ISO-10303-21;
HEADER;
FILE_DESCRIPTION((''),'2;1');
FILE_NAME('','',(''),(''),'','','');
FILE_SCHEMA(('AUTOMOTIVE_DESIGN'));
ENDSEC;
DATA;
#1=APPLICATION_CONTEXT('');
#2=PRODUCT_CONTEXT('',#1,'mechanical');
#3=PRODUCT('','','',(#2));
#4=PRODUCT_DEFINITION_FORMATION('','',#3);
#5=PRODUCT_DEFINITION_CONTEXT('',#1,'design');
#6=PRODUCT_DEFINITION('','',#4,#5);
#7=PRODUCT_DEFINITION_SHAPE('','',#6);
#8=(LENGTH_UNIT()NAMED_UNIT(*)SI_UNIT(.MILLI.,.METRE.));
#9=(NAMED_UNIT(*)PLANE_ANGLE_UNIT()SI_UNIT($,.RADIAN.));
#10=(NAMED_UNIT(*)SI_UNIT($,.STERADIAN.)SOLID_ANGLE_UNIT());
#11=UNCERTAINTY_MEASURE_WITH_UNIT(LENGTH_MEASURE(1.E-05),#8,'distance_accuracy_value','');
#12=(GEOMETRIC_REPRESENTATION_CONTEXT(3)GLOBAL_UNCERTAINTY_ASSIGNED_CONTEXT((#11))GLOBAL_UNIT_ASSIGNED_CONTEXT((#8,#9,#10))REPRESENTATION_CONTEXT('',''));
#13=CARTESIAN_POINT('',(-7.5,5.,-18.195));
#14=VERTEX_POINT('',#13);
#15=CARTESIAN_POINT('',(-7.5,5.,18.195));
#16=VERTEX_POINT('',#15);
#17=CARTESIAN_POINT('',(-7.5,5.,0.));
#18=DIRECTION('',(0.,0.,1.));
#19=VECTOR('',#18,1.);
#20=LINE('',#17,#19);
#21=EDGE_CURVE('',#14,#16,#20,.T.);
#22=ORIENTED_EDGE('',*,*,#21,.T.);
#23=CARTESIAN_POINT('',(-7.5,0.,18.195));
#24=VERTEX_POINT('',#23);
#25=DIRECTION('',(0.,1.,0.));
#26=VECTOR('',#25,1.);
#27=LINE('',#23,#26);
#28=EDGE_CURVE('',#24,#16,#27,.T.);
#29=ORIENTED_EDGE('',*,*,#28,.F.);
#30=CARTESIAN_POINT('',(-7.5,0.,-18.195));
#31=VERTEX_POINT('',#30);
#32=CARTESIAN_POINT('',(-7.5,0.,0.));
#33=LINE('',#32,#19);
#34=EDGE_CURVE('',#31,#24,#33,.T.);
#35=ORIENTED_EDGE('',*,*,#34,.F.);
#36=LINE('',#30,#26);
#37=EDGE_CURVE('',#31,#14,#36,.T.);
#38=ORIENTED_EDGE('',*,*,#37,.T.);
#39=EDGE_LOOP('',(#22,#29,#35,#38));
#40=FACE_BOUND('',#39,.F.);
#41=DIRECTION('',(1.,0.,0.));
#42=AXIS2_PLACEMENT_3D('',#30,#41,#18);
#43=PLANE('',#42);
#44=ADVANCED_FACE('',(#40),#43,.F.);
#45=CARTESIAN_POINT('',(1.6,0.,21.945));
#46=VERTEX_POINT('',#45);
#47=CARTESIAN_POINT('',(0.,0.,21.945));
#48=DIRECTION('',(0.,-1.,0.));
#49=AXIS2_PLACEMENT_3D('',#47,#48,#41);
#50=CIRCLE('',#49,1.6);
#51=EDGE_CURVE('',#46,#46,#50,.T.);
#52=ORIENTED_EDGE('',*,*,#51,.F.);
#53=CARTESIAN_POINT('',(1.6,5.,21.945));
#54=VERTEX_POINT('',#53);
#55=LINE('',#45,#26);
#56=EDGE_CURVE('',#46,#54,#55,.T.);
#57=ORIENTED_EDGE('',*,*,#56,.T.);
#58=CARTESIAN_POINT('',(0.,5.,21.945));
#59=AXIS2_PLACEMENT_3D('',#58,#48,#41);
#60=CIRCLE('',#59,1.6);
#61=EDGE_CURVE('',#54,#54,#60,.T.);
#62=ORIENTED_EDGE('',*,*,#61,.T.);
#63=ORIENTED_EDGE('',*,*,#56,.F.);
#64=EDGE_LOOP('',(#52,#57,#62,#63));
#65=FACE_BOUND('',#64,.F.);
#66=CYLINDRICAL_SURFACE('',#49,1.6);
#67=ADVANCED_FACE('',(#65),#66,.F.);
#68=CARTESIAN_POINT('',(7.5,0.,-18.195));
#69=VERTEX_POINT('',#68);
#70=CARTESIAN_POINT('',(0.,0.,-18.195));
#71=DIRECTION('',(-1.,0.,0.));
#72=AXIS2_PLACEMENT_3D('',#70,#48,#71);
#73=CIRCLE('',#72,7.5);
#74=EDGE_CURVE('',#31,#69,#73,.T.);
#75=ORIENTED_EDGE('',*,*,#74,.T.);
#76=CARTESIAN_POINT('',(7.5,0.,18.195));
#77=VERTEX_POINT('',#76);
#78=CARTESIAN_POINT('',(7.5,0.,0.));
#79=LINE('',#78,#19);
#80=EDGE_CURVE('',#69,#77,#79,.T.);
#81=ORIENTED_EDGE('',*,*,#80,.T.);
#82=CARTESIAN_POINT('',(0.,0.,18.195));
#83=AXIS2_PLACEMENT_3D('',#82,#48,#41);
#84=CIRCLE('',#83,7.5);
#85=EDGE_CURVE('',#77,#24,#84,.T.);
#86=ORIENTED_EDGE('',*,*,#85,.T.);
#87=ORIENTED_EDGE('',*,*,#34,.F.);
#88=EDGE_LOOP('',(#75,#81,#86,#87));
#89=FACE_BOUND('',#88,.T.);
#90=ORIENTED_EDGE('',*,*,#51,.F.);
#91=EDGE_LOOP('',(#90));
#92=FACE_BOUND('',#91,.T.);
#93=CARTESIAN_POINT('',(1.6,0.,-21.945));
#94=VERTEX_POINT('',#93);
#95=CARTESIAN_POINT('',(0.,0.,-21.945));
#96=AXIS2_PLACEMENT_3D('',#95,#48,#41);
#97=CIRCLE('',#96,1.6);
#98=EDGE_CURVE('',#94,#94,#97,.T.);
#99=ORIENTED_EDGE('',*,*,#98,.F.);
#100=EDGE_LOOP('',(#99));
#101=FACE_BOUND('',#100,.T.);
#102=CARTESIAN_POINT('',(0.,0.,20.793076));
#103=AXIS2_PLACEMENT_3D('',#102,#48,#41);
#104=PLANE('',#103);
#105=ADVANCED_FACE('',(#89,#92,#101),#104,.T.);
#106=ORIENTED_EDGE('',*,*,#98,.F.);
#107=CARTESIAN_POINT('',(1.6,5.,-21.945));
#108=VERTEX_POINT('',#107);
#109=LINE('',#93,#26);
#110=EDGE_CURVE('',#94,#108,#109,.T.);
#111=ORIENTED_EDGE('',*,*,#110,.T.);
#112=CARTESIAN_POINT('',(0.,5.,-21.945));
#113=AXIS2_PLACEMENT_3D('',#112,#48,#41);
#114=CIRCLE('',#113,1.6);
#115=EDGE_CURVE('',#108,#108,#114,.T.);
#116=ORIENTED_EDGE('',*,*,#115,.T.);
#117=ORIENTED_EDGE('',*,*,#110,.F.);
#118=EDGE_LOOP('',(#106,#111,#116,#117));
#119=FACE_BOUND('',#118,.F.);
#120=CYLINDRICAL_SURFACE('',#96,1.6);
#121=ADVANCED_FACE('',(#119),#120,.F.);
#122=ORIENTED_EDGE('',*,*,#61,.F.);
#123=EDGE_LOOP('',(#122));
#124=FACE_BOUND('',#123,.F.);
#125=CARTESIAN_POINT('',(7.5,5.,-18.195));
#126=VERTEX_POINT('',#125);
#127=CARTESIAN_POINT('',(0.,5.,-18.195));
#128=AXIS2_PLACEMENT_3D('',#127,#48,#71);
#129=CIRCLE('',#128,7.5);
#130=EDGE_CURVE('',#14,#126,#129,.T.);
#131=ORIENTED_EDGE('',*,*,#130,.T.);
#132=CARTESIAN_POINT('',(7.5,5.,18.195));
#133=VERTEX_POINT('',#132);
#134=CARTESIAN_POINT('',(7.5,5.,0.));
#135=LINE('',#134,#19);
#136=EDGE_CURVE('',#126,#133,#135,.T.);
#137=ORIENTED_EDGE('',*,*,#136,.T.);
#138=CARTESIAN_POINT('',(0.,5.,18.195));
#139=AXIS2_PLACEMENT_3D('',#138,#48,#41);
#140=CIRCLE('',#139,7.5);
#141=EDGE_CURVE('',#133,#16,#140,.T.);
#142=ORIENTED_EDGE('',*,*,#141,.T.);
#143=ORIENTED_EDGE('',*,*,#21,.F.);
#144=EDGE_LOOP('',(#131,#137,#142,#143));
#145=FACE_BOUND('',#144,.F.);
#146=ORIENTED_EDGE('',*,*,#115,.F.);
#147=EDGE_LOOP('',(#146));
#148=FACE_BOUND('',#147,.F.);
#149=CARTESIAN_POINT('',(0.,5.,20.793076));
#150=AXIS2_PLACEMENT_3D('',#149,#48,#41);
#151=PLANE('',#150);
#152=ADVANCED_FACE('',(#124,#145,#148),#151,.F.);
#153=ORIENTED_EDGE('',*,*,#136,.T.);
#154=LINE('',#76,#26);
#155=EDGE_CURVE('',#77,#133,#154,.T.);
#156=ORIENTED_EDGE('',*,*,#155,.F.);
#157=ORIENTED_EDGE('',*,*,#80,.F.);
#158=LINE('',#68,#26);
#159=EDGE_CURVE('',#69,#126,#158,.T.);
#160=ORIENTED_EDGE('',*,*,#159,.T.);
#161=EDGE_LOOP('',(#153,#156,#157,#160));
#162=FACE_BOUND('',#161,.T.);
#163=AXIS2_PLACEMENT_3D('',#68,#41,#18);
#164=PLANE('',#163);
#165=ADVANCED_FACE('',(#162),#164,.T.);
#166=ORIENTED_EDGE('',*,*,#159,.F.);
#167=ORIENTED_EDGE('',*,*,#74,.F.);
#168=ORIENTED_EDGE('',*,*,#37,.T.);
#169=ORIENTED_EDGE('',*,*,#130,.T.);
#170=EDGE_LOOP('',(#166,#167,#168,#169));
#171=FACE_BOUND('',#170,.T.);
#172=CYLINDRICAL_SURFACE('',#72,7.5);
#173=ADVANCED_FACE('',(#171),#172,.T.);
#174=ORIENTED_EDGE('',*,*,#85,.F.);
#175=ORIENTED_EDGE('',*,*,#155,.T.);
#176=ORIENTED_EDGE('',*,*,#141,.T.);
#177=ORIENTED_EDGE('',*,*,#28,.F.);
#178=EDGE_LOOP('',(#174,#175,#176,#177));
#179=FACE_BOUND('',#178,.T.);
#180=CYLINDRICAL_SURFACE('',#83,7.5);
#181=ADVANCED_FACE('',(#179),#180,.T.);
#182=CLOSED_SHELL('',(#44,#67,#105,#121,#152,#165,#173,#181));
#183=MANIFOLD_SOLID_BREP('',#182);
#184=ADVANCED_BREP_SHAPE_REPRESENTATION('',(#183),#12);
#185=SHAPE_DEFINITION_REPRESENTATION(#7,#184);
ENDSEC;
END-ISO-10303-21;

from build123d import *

# Parameters (mm, degrees)
F0_R     = 1.6
F0_W     = 15
F0_H     = 36.39
F1_DEPTH = 5


with BuildPart() as f1:
    # F0 (on Front) → F1 (new body)
    with BuildSketch(Plane.XZ):
        with BuildLine():
            Line((-7.5, 18.195), (7.5, 18.195))
            ThreePointArc((7.5, 18.195), (0, 25.695), (-7.5, 18.195))
        make_face()
        with Locations((0, 21.945)):
            Circle(F0_R, mode=Mode.SUBTRACT)
        Rectangle(F0_W, F0_H)
        with BuildLine():
            ThreePointArc((-7.5, -18.195), (0, -25.695), (7.5, -18.195))
            Line((7.5, -18.195), (-7.5, -18.195))
        make_face()
        with Locations((0, -21.945)):
            Circle(F0_R, mode=Mode.SUBTRACT)
    extrude(amount=-F1_DEPTH)


solid = f1.part
